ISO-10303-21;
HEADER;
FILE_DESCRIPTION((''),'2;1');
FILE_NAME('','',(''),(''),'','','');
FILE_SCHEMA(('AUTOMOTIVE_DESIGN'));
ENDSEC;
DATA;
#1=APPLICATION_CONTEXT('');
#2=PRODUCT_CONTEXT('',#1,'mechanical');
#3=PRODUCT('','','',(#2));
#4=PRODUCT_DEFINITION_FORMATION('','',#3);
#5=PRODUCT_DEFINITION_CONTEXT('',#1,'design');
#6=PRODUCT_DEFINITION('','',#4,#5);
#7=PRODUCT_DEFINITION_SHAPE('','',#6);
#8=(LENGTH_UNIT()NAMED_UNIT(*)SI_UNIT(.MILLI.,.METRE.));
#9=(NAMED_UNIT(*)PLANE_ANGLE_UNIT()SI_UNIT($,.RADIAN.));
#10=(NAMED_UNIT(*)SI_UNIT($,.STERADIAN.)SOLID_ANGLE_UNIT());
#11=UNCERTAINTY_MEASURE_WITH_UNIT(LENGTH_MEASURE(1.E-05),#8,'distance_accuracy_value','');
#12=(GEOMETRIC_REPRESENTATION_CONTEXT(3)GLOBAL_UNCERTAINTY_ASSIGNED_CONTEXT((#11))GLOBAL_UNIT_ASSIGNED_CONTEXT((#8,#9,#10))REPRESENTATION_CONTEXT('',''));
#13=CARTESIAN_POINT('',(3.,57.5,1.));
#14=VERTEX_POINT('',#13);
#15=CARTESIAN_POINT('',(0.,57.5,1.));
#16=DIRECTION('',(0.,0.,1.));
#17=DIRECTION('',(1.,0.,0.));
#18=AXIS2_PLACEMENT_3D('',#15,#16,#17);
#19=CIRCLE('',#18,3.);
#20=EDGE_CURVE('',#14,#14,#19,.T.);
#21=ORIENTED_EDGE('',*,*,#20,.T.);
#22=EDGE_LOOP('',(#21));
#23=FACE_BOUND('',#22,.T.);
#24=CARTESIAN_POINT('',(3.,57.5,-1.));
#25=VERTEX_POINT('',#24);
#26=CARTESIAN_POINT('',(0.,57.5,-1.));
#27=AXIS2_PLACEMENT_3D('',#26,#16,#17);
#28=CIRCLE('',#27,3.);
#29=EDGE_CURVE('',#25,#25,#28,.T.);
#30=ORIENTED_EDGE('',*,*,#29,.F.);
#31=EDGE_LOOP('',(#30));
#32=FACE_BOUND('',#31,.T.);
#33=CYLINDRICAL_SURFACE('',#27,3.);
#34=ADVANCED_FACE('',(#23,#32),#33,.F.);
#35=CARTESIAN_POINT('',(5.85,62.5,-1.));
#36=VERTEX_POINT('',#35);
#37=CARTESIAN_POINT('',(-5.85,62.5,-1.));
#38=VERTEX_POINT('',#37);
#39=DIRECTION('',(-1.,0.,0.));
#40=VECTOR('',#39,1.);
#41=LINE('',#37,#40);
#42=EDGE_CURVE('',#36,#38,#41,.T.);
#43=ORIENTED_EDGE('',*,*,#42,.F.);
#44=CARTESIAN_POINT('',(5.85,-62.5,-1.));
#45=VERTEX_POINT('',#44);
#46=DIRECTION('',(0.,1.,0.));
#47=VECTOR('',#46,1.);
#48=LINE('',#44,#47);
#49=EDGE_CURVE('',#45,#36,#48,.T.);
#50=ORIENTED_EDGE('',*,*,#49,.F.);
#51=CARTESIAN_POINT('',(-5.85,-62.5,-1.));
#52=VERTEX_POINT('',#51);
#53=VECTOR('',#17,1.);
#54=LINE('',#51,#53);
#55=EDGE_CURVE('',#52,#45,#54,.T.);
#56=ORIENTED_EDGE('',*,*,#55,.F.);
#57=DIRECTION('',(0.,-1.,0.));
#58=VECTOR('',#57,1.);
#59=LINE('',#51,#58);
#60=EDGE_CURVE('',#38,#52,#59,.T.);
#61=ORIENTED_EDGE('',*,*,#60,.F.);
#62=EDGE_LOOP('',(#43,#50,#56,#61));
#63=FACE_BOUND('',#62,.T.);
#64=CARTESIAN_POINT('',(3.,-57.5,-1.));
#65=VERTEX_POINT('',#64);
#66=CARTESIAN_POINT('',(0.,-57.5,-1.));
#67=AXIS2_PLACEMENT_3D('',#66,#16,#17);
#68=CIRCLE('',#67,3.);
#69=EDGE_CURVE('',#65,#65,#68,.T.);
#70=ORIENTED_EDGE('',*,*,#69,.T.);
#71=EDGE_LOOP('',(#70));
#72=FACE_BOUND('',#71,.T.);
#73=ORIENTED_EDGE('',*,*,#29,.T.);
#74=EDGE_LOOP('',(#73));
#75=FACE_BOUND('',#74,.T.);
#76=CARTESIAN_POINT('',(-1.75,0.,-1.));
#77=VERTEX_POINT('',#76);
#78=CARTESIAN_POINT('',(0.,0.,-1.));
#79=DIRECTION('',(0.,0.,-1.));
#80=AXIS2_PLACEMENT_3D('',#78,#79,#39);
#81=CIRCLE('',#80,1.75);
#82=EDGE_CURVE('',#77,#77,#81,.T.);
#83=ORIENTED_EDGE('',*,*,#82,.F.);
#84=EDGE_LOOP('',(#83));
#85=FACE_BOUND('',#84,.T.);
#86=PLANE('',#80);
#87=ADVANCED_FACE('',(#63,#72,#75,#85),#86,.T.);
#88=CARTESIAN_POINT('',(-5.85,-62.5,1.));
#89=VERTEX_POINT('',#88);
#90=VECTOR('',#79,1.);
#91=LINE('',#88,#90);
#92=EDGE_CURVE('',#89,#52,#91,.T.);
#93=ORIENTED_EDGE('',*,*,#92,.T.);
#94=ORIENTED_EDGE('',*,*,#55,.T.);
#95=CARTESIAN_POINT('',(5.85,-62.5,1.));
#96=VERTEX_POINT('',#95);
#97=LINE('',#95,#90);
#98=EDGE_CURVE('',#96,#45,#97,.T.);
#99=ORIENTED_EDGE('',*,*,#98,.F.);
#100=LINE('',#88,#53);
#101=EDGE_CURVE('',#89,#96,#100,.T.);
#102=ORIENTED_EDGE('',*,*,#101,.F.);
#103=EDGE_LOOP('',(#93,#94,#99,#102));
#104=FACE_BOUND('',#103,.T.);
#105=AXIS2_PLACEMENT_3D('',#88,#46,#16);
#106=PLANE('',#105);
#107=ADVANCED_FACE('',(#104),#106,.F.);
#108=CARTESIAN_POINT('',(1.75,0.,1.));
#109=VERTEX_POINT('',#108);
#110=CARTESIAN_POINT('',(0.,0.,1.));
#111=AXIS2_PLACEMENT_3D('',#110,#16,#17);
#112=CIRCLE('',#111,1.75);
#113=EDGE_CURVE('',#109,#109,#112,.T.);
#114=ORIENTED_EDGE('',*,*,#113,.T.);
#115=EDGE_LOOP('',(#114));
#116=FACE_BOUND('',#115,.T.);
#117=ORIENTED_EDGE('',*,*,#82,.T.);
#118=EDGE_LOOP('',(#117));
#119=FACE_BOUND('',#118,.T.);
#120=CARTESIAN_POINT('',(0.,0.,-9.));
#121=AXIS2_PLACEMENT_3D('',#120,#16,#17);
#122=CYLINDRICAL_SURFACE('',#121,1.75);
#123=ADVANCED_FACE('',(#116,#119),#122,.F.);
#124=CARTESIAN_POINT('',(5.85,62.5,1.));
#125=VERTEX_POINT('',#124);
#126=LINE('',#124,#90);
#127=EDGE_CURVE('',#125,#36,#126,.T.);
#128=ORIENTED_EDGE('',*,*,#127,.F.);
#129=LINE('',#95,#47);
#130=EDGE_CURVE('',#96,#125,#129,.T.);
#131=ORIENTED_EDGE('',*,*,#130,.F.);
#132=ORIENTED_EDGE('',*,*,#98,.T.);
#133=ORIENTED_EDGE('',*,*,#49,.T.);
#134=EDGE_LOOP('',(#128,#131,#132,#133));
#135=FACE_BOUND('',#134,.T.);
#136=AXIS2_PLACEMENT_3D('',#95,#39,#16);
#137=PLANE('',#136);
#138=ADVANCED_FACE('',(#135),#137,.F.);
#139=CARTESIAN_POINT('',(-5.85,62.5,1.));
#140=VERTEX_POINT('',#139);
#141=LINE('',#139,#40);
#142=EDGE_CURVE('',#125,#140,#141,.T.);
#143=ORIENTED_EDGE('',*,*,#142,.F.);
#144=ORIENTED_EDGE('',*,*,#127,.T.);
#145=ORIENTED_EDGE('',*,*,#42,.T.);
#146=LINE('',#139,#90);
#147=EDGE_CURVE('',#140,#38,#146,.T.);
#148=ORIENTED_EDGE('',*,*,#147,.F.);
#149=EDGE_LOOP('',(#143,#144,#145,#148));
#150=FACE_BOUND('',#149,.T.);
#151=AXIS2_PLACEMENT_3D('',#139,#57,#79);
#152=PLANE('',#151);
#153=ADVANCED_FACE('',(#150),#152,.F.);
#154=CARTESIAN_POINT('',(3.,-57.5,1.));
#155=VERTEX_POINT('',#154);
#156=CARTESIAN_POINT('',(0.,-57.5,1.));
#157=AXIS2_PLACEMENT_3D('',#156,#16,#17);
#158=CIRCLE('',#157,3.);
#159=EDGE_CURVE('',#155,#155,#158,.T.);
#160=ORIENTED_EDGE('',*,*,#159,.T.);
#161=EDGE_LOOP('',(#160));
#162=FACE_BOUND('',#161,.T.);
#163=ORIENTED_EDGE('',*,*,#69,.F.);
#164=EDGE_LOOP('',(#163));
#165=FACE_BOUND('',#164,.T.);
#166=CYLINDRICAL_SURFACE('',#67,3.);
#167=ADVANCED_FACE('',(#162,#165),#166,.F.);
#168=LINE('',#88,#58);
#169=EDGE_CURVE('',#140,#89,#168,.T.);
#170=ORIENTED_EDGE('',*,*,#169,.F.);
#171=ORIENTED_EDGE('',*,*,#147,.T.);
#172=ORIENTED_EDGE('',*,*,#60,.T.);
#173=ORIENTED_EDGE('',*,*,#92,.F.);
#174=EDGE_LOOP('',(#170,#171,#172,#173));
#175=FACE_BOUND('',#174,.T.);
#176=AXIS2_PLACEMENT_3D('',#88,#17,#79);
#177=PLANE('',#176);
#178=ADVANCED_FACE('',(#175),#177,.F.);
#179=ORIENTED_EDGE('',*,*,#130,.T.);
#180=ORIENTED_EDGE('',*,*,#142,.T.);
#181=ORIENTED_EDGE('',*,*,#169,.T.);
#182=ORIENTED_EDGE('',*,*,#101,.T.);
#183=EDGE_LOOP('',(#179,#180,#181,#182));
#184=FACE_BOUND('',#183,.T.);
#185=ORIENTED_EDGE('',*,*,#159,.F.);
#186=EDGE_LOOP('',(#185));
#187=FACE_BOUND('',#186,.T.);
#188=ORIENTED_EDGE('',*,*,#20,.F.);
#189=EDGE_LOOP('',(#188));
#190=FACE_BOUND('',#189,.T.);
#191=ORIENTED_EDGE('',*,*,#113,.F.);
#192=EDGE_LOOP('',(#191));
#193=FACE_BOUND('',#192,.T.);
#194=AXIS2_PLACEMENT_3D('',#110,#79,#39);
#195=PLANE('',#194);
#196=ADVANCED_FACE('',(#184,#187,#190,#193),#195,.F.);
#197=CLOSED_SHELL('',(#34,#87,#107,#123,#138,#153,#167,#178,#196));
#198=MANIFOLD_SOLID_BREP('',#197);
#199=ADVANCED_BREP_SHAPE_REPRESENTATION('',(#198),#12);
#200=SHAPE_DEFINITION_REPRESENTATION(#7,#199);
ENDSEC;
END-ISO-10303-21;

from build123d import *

# Parameters (mm, degrees)
SKETCH1_W           = 11.7
SKETCH1_H           = 125
BOSS_EXTRUDE1_DEPTH = 1
SKETCH2_R           = 3
CUT_EXTRUDE1_DEPTH  = 3
SKETCH3_R           = 1.75
CUT_EXTRUDE2_DEPTH  = 10


with BuildPart() as part:
    # Sketch1 → Boss-Extrude1 (new body, symmetric)
    with BuildSketch(Plane.XY):
        Rectangle(SKETCH1_W, SKETCH1_H)
    extrude(amount=BOSS_EXTRUDE1_DEPTH, both=True)

    # Sketch2 → Cut-Extrude1 (cut, through all)
    with BuildSketch(Plane.XY.offset(1)):
        with Locations((0, 57.5)):
            Circle(SKETCH2_R)
        with Locations((0, -57.5)):
            Circle(SKETCH2_R)
    extrude(amount=-CUT_EXTRUDE1_DEPTH, mode=Mode.SUBTRACT)

    # Sketch3 → Cut-Extrude2 (cut)
    with BuildSketch(Plane.XY.offset(1)):
        Circle(SKETCH3_R)
    extrude(amount=-CUT_EXTRUDE2_DEPTH, mode=Mode.SUBTRACT)


solid = part.part
